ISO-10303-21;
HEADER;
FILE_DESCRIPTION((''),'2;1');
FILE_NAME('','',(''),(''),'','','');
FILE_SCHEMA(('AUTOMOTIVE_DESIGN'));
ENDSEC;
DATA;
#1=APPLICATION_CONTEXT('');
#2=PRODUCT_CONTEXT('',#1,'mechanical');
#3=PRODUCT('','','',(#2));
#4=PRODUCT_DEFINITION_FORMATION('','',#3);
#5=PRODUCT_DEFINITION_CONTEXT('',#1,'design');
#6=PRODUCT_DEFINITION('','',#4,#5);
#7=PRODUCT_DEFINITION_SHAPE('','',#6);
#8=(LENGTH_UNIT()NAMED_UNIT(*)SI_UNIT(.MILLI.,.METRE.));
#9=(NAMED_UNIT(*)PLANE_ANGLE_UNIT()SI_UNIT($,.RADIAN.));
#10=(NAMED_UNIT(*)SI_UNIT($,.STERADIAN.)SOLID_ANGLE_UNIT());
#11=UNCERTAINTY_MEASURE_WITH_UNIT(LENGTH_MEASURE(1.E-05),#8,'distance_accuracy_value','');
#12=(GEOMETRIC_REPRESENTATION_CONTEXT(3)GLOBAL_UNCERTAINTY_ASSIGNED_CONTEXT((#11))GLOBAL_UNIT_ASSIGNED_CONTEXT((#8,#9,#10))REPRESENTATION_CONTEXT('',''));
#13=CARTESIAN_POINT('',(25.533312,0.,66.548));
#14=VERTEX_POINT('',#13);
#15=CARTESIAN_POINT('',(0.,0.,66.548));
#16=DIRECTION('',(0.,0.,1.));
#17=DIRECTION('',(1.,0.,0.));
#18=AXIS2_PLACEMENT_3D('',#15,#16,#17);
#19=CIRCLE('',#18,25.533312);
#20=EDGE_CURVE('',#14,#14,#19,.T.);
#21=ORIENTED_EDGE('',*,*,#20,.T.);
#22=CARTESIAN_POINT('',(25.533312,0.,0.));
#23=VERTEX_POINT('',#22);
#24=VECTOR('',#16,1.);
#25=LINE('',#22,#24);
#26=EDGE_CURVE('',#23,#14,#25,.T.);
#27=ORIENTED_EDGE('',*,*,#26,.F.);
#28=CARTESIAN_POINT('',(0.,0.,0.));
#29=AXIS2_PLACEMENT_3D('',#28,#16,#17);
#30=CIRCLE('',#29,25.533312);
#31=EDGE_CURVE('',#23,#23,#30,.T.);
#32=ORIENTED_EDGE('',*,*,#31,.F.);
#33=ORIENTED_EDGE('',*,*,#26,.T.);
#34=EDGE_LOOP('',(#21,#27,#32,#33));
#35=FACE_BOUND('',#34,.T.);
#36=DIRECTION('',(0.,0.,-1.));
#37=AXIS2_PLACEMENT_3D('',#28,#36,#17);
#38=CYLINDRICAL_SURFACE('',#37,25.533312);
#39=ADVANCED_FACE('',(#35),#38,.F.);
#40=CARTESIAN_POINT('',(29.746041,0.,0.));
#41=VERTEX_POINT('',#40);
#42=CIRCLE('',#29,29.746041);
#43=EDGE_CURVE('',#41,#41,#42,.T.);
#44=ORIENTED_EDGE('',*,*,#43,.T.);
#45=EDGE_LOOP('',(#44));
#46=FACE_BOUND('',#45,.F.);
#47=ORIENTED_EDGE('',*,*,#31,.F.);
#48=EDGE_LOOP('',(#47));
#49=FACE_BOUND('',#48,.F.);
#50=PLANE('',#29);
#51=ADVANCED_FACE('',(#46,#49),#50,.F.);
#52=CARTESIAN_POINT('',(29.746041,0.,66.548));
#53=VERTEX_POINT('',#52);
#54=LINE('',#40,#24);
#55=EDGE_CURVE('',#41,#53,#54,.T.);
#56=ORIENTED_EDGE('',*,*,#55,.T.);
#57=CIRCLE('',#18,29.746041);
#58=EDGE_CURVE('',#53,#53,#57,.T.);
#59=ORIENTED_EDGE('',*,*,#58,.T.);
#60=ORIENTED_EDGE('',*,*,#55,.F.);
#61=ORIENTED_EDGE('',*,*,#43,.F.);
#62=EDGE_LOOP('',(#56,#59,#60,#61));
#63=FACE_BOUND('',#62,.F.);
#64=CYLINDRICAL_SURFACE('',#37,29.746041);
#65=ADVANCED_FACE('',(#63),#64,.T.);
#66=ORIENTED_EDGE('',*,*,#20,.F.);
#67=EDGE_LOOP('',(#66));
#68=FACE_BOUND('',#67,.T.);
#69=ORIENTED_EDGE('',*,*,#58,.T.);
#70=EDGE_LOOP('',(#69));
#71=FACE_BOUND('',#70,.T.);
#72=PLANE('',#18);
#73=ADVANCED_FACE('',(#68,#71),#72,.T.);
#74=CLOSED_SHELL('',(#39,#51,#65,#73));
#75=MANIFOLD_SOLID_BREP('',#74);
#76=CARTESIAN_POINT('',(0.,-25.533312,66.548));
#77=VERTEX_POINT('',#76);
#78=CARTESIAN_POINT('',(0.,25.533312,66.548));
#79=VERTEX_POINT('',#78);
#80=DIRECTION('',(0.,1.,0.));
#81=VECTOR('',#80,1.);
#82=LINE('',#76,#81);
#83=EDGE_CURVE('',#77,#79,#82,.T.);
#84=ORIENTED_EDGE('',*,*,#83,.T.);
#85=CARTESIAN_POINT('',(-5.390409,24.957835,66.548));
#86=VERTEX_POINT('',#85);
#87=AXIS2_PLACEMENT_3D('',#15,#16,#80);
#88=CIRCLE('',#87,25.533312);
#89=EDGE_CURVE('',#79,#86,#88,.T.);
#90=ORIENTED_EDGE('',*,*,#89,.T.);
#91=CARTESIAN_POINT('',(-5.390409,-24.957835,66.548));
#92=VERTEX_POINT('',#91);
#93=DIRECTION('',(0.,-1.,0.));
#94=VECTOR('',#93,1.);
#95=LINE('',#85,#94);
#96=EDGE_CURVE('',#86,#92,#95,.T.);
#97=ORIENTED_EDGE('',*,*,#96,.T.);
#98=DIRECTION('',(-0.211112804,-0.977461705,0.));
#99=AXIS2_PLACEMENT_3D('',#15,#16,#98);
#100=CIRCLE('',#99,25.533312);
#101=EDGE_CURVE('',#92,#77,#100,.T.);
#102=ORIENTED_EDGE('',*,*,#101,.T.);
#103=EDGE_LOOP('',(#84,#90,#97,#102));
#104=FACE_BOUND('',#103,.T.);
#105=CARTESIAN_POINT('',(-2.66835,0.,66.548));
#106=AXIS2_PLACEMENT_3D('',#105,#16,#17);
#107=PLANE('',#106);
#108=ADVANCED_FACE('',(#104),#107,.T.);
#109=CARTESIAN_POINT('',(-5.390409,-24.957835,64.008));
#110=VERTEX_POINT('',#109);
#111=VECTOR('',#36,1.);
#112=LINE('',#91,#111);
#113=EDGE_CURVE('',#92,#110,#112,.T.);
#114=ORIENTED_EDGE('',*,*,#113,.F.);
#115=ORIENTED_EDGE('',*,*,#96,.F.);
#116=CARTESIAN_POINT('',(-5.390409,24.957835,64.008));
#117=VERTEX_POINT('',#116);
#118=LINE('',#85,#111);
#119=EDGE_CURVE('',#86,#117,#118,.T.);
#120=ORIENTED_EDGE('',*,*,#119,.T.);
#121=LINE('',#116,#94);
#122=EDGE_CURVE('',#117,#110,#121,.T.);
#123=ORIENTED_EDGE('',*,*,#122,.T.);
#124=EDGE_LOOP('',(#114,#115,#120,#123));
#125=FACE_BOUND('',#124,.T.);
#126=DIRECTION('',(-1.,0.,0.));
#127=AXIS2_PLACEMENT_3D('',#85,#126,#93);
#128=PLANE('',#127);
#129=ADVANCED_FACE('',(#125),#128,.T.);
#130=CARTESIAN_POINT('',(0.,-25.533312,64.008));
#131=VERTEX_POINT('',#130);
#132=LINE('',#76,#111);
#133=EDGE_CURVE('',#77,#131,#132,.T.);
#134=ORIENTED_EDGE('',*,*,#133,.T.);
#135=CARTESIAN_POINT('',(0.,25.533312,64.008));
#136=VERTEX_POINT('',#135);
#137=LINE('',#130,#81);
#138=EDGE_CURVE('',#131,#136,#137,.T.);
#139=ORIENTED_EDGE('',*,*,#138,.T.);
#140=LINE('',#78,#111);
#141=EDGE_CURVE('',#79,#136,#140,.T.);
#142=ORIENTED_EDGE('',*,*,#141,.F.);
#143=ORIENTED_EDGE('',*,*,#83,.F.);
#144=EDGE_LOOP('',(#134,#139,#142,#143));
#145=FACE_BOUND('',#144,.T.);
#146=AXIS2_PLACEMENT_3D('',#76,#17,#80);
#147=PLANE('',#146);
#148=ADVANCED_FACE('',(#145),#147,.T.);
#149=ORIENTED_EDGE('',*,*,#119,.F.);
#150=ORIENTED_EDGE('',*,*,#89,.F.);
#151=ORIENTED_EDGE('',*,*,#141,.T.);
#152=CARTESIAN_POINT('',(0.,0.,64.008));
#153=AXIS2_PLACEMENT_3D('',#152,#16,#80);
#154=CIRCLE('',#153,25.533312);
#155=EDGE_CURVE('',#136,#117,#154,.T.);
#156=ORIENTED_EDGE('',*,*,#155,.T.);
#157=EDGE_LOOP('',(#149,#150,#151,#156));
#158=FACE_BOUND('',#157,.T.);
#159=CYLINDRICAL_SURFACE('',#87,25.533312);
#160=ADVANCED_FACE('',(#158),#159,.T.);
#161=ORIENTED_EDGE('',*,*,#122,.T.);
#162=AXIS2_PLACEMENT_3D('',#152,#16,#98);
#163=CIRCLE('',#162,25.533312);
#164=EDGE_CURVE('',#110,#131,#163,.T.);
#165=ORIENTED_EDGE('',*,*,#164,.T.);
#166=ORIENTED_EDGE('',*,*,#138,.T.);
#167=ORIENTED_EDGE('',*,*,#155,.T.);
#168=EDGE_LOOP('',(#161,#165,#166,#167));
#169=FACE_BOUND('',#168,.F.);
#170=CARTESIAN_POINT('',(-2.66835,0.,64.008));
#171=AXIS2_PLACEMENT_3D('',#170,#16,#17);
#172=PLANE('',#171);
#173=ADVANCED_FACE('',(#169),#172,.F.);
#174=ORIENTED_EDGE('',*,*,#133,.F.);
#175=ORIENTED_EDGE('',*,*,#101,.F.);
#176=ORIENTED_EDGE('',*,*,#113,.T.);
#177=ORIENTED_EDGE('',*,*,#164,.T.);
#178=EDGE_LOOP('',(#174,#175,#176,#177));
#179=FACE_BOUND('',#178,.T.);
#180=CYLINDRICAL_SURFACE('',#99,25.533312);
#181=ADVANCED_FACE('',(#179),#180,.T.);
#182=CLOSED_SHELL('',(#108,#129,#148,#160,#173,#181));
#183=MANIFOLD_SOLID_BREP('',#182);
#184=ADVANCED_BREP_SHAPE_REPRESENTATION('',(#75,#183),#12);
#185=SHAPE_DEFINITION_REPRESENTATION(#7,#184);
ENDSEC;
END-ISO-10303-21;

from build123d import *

# Parameters (mm, degrees)
F0_R     = 29.7460405886
F0_R_2   = 25.5333120523
F1_DEPTH = 66.548
F3_DEPTH = 2.54


with BuildPart() as f1:
    # F0 (on Top) → F1 (new body)
    with BuildSketch(Plane.XY):
        Circle(F0_R)
        Circle(F0_R_2, mode=Mode.SUBTRACT)
    extrude(amount=F1_DEPTH)


with BuildPart() as f3:
    # F2 (on face) → F3 (new body)
    with BuildSketch(Plane.XY.offset(66.548)):
        with BuildLine():
            Line((0, -25.5333120523), (0, 25.5333120523))
            ThreePointArc((0, 25.5333120523), (-2.7105204522, 25.3890350986), (-5.3904091059, 24.9578347224))
            Line((-5.3904091059, 24.9578347224), (-5.3904091059, -24.9578347224))
            ThreePointArc((-5.3904091059, -24.9578347224), (-2.7105204522, -25.3890350986), (0, -25.5333120523))
        make_face()
    extrude(amount=-F3_DEPTH)


solid = Compound([f1.part, f3.part])
